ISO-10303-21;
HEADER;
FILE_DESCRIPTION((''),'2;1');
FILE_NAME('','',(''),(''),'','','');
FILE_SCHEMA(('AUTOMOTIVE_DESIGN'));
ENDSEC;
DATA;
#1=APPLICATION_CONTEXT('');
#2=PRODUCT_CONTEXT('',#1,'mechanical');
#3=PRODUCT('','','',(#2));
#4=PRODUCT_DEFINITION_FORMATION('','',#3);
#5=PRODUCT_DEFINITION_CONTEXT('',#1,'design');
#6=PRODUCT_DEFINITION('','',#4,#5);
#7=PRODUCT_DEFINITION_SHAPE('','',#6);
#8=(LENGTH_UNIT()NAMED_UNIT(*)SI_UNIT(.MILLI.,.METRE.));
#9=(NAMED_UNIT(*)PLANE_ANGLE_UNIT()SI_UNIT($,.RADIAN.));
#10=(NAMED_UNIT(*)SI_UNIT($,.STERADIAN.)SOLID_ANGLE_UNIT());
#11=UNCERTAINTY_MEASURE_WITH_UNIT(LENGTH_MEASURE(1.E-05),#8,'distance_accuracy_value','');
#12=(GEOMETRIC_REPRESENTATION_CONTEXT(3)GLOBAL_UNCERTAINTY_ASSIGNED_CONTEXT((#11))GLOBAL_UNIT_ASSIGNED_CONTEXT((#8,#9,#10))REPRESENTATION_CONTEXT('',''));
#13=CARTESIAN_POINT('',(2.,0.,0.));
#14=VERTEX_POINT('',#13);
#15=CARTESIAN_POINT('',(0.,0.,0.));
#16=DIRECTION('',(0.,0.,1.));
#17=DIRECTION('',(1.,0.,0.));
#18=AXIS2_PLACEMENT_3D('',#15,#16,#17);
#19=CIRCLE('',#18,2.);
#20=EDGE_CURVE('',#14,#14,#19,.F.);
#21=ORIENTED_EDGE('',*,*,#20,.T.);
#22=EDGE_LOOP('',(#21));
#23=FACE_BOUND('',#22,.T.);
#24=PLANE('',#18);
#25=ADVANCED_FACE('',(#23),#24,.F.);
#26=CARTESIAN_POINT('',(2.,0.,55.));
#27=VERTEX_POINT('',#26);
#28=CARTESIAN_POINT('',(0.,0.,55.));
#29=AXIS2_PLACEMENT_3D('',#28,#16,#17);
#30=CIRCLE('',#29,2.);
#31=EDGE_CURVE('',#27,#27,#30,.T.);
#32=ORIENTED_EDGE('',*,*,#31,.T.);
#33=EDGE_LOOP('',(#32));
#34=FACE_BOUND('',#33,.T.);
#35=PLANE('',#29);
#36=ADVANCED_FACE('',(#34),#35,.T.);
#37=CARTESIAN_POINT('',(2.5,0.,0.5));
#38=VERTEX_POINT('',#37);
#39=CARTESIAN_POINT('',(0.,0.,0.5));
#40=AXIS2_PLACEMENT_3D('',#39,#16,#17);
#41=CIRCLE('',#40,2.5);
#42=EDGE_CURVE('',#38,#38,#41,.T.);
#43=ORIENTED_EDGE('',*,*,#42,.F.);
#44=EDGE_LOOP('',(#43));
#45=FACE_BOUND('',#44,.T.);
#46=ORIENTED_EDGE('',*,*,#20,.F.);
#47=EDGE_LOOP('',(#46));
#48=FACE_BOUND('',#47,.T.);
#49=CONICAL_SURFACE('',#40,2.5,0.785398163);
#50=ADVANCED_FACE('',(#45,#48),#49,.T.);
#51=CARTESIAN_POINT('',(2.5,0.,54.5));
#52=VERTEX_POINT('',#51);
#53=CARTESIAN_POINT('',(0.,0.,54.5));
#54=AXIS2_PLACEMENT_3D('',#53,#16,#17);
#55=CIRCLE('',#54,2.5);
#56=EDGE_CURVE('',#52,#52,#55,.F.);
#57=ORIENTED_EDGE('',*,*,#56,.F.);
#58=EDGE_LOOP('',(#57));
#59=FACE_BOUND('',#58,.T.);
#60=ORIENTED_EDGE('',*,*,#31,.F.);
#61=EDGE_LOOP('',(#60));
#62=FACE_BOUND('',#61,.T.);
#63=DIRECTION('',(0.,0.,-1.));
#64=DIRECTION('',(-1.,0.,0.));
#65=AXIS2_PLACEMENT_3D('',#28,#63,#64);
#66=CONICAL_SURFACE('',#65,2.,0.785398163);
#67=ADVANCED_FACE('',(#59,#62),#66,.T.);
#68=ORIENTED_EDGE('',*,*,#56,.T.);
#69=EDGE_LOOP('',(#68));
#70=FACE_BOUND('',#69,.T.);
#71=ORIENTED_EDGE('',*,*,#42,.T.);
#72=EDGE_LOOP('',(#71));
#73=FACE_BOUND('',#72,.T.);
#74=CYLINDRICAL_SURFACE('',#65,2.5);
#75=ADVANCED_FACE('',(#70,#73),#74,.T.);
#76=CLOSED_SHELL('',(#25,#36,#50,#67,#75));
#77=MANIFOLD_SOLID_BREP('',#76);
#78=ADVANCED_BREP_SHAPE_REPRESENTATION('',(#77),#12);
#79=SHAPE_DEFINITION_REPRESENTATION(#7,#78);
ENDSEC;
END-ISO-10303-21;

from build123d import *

# Parameters (mm, degrees)
ESBO_O1_R                = 2.5
RESSALTO_EXTRUS_O1_DEPTH = 55
CHANFRO1_SIZE            = 0.5


with BuildPart() as part:
    # Esboço1 → Ressalto-extrusão1 (new body)
    with BuildSketch(Plane.XY):
        Circle(ESBO_O1_R)
    extrude(amount=RESSALTO_EXTRUS_O1_DEPTH)

    # Chanfro1
    chanfro1_edges = [part.edges().sort_by_distance(p)[0] for p in [
        (-2.5, 0, 0),
        (-2.5, 0, 55),
    ]]
    chamfer(chanfro1_edges, length=CHANFRO1_SIZE)


solid = part.part
